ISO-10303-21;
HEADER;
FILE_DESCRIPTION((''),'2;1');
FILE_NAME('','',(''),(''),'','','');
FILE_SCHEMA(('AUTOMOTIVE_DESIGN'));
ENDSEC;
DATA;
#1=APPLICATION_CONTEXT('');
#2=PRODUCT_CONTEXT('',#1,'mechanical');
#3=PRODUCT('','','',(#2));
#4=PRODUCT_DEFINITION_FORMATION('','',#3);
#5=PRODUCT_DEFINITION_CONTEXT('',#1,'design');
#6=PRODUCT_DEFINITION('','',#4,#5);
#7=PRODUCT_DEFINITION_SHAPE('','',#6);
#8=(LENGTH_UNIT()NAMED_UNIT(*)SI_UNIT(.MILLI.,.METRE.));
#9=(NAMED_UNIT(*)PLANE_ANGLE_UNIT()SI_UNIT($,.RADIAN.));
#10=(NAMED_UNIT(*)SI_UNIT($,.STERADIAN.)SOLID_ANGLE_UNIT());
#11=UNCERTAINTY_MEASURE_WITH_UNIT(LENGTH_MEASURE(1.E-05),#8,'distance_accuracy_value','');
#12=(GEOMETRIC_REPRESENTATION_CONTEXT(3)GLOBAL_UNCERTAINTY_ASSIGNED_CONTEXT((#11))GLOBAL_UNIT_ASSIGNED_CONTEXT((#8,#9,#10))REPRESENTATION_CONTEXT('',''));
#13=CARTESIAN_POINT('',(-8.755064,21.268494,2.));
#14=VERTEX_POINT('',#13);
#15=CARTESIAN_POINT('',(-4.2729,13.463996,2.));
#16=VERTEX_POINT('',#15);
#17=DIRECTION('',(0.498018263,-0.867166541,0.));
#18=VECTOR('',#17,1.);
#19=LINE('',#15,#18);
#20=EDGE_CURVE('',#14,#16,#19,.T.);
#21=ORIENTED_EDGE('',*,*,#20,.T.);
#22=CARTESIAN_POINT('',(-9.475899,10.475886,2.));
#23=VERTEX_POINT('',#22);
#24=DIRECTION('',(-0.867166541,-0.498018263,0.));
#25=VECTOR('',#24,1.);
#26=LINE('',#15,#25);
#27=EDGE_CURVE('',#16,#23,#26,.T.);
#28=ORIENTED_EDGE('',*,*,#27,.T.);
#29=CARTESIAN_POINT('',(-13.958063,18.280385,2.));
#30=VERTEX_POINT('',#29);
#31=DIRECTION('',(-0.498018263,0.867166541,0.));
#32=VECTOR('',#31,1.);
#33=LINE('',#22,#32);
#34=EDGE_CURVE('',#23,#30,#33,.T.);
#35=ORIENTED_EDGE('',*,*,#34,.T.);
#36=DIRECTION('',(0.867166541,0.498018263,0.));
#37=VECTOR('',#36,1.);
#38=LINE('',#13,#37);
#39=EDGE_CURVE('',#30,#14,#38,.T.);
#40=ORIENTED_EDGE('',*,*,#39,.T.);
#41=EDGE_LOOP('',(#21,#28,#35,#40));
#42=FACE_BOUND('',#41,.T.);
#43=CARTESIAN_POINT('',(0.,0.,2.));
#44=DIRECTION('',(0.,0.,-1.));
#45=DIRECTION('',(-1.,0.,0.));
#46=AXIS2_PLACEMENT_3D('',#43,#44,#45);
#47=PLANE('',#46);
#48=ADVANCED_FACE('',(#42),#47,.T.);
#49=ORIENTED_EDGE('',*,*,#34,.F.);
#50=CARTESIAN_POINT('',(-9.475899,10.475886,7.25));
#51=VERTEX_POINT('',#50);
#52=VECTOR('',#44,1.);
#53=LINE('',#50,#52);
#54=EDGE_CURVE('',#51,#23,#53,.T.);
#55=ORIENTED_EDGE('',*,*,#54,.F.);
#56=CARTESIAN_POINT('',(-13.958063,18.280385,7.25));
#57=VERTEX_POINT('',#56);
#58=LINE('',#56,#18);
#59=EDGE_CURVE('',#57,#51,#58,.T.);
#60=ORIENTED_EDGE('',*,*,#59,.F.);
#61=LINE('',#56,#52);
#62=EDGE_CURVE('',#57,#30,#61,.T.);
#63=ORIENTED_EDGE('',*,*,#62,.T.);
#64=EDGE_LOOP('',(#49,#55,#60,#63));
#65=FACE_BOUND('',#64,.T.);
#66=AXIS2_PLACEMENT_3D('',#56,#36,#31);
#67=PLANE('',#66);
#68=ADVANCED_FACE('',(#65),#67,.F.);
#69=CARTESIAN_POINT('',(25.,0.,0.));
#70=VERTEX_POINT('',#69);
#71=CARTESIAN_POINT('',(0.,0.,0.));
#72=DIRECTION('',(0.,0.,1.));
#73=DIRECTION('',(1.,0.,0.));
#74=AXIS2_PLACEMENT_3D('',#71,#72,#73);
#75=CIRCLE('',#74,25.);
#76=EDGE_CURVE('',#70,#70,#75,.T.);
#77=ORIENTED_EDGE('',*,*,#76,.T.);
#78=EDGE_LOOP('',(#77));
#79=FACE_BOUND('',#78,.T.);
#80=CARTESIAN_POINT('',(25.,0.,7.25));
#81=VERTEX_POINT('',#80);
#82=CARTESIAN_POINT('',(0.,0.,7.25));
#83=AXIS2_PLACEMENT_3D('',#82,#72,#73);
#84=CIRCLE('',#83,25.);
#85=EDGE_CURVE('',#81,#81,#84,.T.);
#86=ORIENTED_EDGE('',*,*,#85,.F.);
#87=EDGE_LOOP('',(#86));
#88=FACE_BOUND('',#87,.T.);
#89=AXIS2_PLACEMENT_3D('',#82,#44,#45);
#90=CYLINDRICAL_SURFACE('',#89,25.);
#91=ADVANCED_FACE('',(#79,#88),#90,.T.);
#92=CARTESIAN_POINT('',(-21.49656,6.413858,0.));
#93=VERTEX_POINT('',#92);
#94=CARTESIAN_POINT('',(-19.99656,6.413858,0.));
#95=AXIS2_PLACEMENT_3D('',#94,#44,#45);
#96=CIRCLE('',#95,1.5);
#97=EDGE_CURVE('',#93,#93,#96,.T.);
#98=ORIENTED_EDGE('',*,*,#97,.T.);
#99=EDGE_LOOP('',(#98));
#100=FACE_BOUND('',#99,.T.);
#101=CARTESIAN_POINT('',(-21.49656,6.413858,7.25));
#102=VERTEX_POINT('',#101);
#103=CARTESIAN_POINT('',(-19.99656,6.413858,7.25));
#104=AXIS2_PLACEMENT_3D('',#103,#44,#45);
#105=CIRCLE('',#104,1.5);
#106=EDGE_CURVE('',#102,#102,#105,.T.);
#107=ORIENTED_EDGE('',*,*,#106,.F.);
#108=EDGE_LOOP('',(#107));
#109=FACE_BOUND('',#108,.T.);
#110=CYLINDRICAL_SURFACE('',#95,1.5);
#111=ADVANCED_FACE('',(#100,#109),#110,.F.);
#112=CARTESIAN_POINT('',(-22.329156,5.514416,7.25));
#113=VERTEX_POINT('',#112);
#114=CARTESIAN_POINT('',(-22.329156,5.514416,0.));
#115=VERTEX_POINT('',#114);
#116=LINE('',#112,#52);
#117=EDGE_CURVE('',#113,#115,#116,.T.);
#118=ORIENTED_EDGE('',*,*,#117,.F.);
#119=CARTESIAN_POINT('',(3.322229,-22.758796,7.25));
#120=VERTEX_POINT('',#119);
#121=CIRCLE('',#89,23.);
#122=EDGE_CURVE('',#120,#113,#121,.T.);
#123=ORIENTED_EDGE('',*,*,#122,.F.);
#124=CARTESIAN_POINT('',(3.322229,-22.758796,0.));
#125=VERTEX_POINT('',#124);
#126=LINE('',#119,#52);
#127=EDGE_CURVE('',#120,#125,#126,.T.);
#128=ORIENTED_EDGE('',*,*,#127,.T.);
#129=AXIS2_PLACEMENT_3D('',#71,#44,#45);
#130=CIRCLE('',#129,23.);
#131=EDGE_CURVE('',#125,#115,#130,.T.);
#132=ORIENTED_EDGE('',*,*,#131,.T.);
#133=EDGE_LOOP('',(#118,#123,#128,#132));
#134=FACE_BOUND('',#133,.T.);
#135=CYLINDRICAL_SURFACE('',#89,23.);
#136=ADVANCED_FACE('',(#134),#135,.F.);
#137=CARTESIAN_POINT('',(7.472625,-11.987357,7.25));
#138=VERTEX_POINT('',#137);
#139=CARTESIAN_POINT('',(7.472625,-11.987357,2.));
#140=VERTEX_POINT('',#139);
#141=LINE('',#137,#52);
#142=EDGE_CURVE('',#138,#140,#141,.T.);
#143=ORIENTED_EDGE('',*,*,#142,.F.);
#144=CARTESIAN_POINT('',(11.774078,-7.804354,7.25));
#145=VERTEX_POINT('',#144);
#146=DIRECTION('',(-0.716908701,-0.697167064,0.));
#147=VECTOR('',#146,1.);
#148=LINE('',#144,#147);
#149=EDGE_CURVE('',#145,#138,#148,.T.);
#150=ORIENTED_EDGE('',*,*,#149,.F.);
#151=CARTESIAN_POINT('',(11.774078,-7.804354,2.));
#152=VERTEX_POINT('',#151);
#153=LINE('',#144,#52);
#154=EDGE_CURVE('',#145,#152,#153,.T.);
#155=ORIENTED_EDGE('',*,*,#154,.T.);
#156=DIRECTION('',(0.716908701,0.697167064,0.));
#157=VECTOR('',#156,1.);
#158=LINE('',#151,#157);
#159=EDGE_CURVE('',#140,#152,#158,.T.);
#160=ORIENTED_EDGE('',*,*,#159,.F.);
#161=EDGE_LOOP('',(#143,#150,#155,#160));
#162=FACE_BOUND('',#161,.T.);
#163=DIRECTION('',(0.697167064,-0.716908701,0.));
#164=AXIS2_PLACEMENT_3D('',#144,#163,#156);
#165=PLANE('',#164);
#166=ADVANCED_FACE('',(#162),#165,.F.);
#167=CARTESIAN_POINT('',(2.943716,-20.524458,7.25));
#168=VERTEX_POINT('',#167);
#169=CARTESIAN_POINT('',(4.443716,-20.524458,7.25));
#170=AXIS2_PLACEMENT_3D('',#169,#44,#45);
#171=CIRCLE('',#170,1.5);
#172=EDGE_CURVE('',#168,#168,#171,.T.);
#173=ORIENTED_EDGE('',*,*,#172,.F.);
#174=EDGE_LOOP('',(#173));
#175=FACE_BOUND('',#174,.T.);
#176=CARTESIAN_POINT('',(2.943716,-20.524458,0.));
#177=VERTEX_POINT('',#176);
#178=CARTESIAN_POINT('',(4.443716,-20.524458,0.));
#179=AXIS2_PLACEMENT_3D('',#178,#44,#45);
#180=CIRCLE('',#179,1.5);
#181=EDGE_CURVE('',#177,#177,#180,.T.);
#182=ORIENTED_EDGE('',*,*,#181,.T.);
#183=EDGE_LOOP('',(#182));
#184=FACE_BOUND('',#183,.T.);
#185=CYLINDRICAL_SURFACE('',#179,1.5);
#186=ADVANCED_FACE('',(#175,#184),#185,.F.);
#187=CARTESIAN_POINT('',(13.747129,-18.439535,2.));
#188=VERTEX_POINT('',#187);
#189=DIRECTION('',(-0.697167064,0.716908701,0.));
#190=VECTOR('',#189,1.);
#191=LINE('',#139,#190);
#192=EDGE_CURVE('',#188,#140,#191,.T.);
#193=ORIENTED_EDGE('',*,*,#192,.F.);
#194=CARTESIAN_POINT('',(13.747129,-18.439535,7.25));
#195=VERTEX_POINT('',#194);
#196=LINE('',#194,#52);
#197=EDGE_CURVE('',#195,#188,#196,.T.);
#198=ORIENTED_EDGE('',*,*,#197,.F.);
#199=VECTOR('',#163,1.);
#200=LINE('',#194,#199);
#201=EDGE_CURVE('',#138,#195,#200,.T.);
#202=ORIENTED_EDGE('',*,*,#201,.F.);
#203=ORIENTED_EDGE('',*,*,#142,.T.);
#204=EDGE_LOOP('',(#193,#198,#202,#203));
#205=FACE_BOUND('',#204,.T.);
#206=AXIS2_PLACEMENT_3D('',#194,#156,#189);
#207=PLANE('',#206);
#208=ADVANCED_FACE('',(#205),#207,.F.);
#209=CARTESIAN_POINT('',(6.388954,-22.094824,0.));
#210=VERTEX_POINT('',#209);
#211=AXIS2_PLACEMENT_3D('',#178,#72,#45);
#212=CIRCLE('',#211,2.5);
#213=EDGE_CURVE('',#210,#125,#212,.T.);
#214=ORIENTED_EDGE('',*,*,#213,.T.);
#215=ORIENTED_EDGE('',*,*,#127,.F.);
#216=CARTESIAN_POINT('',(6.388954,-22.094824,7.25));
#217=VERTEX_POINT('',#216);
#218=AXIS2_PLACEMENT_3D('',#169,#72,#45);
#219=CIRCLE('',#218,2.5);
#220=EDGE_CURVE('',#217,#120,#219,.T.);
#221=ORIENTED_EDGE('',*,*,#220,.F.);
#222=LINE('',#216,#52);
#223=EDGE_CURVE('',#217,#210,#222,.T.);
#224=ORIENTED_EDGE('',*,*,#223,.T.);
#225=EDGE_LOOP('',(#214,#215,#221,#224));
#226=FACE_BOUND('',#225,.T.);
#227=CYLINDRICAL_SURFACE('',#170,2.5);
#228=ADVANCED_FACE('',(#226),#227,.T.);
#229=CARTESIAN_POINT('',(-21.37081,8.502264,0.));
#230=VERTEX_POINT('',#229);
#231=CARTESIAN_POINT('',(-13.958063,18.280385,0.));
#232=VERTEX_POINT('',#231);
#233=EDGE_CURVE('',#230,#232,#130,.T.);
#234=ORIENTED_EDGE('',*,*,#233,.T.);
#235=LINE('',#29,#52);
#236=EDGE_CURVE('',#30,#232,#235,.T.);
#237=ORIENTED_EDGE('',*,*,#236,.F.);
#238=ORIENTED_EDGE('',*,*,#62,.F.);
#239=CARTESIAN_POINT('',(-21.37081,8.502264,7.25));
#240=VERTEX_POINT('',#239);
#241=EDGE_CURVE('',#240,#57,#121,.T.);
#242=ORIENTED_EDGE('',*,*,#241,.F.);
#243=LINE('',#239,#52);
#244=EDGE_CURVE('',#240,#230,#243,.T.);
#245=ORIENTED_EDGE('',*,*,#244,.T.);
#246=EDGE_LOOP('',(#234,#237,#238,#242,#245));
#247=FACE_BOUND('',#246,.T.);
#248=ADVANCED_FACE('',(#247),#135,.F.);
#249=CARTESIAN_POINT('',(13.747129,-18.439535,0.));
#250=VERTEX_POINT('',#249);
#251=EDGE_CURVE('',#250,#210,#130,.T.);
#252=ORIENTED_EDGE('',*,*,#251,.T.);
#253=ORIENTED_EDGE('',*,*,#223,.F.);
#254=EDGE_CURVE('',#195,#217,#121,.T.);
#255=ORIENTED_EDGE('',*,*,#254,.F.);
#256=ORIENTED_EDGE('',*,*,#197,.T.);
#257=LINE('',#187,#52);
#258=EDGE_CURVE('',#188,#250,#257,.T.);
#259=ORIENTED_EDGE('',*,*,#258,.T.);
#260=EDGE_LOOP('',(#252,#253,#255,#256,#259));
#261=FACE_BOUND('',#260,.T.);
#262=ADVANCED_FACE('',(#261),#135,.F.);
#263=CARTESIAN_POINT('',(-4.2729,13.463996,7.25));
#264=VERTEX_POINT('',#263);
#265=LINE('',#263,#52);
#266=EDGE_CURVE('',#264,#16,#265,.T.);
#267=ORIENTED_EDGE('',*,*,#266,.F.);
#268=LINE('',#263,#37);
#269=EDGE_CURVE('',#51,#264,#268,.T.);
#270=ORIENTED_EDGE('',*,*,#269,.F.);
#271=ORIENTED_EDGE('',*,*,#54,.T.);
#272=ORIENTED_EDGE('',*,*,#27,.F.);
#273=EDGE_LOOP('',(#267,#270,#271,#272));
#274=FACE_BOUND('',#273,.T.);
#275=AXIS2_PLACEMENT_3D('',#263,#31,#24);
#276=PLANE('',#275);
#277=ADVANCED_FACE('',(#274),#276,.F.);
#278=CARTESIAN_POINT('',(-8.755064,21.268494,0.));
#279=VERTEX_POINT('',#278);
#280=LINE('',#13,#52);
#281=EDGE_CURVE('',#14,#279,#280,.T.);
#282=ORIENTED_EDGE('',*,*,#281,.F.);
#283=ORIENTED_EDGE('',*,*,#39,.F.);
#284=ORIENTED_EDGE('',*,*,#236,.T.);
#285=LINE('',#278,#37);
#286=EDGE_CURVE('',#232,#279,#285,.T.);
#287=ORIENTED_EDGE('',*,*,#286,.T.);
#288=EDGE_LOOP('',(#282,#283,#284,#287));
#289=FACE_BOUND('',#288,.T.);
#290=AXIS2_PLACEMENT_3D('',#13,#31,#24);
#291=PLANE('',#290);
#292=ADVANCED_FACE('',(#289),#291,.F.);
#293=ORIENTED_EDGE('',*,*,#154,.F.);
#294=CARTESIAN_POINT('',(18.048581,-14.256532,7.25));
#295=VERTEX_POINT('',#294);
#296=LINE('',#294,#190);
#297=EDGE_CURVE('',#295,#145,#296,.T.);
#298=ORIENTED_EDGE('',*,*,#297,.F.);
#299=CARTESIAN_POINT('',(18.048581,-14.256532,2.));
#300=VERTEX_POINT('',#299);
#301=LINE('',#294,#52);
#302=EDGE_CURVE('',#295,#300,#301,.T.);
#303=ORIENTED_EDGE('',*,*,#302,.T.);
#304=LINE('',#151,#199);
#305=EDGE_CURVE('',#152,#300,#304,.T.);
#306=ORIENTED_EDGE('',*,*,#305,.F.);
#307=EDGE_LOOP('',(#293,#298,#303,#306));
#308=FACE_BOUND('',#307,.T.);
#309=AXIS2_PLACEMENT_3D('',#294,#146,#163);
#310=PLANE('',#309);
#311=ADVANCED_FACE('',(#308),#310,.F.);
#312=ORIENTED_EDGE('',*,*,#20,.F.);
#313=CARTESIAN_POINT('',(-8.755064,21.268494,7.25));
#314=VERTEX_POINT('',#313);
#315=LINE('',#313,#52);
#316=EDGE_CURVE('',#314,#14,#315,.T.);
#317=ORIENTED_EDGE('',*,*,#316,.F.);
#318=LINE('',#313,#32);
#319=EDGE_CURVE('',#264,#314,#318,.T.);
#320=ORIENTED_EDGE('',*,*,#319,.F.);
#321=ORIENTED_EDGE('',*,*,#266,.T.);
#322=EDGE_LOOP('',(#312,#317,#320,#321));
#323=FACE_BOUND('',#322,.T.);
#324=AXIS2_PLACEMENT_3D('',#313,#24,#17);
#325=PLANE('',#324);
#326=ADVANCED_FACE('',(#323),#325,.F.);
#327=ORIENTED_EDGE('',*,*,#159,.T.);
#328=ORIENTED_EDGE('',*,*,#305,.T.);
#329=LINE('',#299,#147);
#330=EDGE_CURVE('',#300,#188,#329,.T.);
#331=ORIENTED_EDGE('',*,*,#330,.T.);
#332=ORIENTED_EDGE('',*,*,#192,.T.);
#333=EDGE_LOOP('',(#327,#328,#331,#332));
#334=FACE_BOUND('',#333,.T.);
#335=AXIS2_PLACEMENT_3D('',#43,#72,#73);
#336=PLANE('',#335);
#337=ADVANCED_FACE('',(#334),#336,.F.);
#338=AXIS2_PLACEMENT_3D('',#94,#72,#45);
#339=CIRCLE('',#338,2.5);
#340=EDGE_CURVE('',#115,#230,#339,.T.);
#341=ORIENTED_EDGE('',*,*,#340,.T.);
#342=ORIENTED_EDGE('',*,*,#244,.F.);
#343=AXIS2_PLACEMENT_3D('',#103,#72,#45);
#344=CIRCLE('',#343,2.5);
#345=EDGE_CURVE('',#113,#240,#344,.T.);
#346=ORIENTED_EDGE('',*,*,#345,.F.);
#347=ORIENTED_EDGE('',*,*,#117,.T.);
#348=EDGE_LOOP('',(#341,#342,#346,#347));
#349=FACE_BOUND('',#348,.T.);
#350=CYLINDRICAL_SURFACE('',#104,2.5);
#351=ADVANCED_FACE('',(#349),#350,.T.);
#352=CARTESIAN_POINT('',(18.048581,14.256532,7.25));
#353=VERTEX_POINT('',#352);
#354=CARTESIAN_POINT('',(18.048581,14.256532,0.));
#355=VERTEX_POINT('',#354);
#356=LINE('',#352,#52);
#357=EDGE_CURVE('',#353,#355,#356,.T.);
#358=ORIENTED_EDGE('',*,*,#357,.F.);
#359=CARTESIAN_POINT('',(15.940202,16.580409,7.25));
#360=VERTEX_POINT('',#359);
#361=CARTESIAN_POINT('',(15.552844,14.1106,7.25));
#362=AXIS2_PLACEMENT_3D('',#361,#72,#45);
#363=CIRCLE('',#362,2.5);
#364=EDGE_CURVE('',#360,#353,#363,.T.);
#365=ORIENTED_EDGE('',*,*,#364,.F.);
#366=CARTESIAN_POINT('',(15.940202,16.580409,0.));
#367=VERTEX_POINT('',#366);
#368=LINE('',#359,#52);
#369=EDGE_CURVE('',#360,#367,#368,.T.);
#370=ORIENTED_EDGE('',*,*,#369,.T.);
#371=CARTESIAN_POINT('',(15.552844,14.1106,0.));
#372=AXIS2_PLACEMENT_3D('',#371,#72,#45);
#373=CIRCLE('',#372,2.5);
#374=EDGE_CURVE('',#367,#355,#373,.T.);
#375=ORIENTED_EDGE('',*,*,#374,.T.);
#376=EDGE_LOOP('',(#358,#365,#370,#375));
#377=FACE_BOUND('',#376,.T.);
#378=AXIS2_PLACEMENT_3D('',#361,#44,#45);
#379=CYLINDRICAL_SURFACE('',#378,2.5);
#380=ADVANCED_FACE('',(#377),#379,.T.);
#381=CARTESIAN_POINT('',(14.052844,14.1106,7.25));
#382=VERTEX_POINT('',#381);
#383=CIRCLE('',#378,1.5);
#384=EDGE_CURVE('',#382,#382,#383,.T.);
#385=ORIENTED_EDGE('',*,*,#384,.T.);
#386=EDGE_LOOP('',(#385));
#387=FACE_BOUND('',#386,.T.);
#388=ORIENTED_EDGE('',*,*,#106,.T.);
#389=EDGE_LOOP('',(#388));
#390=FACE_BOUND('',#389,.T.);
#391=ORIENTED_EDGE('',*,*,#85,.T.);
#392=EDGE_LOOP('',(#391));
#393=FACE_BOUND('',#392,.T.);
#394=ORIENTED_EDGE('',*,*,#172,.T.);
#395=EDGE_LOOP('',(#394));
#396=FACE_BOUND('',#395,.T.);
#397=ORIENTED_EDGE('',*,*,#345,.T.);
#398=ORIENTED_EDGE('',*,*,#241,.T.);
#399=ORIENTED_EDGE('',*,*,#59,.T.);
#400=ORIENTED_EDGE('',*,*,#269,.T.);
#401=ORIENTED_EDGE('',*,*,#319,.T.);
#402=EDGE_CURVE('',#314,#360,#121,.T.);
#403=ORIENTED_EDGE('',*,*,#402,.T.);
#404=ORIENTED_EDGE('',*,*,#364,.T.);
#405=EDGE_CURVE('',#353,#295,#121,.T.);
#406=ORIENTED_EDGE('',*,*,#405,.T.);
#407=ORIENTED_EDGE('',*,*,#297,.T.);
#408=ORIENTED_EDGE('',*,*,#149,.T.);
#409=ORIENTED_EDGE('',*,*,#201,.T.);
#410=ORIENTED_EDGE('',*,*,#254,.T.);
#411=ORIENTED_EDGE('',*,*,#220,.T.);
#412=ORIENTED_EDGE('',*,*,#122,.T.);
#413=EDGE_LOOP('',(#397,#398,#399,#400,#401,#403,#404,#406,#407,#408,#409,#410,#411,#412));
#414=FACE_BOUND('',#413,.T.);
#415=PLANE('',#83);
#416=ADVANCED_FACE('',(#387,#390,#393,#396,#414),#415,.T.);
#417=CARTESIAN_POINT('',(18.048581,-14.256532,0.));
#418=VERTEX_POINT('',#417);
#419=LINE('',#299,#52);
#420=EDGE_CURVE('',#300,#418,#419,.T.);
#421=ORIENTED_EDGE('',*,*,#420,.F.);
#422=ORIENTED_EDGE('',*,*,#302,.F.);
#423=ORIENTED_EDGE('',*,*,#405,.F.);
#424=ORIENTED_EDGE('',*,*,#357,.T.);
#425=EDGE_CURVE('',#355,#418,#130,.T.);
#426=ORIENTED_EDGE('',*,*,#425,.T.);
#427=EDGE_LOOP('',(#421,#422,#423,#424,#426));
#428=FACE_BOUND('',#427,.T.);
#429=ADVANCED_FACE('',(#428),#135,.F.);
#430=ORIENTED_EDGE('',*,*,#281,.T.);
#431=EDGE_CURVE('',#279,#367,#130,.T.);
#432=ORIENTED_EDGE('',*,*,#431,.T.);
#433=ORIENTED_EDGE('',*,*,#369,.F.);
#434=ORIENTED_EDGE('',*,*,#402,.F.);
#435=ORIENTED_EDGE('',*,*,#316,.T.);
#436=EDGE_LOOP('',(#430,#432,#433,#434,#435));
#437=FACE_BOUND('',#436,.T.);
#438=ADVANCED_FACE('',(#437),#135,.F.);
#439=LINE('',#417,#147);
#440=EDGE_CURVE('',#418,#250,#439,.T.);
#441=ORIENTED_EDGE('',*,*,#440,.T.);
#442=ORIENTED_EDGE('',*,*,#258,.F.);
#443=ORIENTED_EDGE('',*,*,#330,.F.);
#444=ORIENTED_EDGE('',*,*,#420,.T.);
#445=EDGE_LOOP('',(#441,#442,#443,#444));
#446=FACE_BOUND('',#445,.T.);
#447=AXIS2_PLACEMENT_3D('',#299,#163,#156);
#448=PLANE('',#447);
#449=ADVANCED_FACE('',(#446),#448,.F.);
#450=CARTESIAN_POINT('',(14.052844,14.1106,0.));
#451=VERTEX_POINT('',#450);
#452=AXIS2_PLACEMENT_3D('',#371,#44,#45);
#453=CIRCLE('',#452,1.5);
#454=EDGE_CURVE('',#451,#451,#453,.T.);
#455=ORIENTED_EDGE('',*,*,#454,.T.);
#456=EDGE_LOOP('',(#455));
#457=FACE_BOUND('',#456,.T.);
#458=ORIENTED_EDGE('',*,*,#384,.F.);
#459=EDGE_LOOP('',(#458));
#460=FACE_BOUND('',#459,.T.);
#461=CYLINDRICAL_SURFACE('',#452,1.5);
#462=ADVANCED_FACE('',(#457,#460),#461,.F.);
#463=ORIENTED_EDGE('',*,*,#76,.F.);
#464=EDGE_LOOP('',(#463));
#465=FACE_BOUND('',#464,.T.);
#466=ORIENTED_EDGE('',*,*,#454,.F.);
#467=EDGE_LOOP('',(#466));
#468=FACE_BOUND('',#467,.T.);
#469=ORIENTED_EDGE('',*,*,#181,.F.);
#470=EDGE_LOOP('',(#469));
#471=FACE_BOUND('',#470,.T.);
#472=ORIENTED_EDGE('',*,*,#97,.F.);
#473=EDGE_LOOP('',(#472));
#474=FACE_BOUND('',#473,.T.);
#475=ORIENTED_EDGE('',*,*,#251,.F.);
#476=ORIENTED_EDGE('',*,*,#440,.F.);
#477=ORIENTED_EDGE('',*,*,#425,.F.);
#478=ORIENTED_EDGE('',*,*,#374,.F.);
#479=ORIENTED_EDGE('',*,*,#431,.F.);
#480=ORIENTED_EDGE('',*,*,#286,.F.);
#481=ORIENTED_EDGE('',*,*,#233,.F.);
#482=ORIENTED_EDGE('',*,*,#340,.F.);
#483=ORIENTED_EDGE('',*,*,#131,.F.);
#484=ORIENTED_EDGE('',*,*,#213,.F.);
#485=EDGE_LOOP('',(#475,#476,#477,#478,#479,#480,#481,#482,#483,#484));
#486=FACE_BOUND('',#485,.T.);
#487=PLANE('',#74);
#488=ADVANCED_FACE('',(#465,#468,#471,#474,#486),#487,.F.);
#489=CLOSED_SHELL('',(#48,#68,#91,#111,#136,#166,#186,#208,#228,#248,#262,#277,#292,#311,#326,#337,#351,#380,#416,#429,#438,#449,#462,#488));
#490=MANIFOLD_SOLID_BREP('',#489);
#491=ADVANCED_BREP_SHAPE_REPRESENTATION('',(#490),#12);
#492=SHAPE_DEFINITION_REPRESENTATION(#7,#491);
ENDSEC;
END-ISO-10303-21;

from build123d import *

# Parameters (mm, degrees)
SKETCH1_R             = 25
BOSS_EXTRUDE1_DEPTH   = 7.25
F_3_0MM_DOWEL_HOLE1_D = 3
CIRPATTERN1_COUNT     = 3
CUT_EXTRUDE7_DEPTH    = 8.25
CUT_EXTRUDE9_DEPTH    = 2


with BuildPart() as part:
    # Sketch1 → Boss-Extrude1 (new body)
    with BuildSketch(Plane.XY):
        Circle(SKETCH1_R)
    extrude(amount=BOSS_EXTRUDE1_DEPTH)

    # Ø3.0mm Dowel Hole1 (through all)
    with Locations(Plane(origin=(0, 0, 0), x_dir=(-1, 0, 0), z_dir=(0, 0, -1))):
        with Locations((-15.552844037, 14.110600354)):
            f_3_0mm_dowel_hole1 = Hole(F_3_0MM_DOWEL_HOLE1_D / 2)

    # CirPattern1: Ø3.0mm Dowel Hole1 ×3 about axis
    cirpattern1_axis = Axis((0, 0, 0), (0, 0, 1))
    for i in range(1, CIRPATTERN1_COUNT):
        add(f_3_0mm_dowel_hole1.rotate(cirpattern1_axis, i * 360 / CIRPATTERN1_COUNT), mode=Mode.SUBTRACT)

    # Sketch4 → Cut-Extrude7 (cut, through all)
    with BuildSketch(Plane(origin=(0, 0, 0), x_dir=(-1, 0, 0), z_dir=(0, 0, -1))):
        with BuildLine():
            Line((8.755064083, 21.268494373), (4.272899712, 13.463995507))
            Line((4.272899712, 13.463995507), (9.475898956, 10.475885926))
            Line((9.475898956, 10.475885926), (13.958063327, 18.280384792))
            ThreePointArc((13.958063327, 18.280384792), (18.328536057, 13.894774774), (21.370809866, 8.502263561))
            ThreePointArc((21.370809866, 8.502263561), (17.616017485, 5.650303353), (22.329156288, 5.514415606))
            ThreePointArc((22.329156288, 5.514415606), (17.034067279, -15.454467055), (-3.3222287, -22.758796024))
            ThreePointArc((-3.3222287, -22.758796024), (-3.9147025, -18.081070332), (-6.388954142, -22.094824393))
            ThreePointArc((-6.388954142, -22.094824393), (-10.232582573, -20.598404159), (-13.747128962, -18.439534845))
            Line((-13.747128962, -18.439534845), (-7.472625388, -11.987356538))
            Line((-7.472625388, -11.987356538), (-11.774077593, -7.804354156))
            Line((-11.774077593, -7.804354156), (-18.048581167, -14.256532463))
            ThreePointArc((-18.048581167, -14.256532463), (-23, 0), (-18.048581167, 14.256532463))
            ThreePointArc((-18.048581167, 14.256532463), (-13.701314985, 12.430766979), (-15.940202146, 16.580408787))
            ThreePointArc((-15.940202146, 16.580408787), (-4.289649037, 22.596435806), (8.755064083, 21.268494373))
        make_face()
    extrude(amount=-CUT_EXTRUDE7_DEPTH, mode=Mode.SUBTRACT)

    # Sketch9 → Cut-Extrude9 (cut)
    with BuildSketch(Plane(origin=(0, 0, 0), x_dir=(-1, 0, 0), z_dir=(0, 0, -1))):
        Polygon((-11.774077593, -7.804354156), (-18.048581167, -14.256532463), (-13.747128962, -18.439534845), (-7.472625388, -11.987356538), align=None)
        Polygon((4.272899712, 13.463995507), (8.755064083, 21.268494373), (13.958063327, 18.280384792), (9.475898956, 10.475885926), align=None)
    extrude(amount=-CUT_EXTRUDE9_DEPTH, mode=Mode.SUBTRACT)


solid = part.part
